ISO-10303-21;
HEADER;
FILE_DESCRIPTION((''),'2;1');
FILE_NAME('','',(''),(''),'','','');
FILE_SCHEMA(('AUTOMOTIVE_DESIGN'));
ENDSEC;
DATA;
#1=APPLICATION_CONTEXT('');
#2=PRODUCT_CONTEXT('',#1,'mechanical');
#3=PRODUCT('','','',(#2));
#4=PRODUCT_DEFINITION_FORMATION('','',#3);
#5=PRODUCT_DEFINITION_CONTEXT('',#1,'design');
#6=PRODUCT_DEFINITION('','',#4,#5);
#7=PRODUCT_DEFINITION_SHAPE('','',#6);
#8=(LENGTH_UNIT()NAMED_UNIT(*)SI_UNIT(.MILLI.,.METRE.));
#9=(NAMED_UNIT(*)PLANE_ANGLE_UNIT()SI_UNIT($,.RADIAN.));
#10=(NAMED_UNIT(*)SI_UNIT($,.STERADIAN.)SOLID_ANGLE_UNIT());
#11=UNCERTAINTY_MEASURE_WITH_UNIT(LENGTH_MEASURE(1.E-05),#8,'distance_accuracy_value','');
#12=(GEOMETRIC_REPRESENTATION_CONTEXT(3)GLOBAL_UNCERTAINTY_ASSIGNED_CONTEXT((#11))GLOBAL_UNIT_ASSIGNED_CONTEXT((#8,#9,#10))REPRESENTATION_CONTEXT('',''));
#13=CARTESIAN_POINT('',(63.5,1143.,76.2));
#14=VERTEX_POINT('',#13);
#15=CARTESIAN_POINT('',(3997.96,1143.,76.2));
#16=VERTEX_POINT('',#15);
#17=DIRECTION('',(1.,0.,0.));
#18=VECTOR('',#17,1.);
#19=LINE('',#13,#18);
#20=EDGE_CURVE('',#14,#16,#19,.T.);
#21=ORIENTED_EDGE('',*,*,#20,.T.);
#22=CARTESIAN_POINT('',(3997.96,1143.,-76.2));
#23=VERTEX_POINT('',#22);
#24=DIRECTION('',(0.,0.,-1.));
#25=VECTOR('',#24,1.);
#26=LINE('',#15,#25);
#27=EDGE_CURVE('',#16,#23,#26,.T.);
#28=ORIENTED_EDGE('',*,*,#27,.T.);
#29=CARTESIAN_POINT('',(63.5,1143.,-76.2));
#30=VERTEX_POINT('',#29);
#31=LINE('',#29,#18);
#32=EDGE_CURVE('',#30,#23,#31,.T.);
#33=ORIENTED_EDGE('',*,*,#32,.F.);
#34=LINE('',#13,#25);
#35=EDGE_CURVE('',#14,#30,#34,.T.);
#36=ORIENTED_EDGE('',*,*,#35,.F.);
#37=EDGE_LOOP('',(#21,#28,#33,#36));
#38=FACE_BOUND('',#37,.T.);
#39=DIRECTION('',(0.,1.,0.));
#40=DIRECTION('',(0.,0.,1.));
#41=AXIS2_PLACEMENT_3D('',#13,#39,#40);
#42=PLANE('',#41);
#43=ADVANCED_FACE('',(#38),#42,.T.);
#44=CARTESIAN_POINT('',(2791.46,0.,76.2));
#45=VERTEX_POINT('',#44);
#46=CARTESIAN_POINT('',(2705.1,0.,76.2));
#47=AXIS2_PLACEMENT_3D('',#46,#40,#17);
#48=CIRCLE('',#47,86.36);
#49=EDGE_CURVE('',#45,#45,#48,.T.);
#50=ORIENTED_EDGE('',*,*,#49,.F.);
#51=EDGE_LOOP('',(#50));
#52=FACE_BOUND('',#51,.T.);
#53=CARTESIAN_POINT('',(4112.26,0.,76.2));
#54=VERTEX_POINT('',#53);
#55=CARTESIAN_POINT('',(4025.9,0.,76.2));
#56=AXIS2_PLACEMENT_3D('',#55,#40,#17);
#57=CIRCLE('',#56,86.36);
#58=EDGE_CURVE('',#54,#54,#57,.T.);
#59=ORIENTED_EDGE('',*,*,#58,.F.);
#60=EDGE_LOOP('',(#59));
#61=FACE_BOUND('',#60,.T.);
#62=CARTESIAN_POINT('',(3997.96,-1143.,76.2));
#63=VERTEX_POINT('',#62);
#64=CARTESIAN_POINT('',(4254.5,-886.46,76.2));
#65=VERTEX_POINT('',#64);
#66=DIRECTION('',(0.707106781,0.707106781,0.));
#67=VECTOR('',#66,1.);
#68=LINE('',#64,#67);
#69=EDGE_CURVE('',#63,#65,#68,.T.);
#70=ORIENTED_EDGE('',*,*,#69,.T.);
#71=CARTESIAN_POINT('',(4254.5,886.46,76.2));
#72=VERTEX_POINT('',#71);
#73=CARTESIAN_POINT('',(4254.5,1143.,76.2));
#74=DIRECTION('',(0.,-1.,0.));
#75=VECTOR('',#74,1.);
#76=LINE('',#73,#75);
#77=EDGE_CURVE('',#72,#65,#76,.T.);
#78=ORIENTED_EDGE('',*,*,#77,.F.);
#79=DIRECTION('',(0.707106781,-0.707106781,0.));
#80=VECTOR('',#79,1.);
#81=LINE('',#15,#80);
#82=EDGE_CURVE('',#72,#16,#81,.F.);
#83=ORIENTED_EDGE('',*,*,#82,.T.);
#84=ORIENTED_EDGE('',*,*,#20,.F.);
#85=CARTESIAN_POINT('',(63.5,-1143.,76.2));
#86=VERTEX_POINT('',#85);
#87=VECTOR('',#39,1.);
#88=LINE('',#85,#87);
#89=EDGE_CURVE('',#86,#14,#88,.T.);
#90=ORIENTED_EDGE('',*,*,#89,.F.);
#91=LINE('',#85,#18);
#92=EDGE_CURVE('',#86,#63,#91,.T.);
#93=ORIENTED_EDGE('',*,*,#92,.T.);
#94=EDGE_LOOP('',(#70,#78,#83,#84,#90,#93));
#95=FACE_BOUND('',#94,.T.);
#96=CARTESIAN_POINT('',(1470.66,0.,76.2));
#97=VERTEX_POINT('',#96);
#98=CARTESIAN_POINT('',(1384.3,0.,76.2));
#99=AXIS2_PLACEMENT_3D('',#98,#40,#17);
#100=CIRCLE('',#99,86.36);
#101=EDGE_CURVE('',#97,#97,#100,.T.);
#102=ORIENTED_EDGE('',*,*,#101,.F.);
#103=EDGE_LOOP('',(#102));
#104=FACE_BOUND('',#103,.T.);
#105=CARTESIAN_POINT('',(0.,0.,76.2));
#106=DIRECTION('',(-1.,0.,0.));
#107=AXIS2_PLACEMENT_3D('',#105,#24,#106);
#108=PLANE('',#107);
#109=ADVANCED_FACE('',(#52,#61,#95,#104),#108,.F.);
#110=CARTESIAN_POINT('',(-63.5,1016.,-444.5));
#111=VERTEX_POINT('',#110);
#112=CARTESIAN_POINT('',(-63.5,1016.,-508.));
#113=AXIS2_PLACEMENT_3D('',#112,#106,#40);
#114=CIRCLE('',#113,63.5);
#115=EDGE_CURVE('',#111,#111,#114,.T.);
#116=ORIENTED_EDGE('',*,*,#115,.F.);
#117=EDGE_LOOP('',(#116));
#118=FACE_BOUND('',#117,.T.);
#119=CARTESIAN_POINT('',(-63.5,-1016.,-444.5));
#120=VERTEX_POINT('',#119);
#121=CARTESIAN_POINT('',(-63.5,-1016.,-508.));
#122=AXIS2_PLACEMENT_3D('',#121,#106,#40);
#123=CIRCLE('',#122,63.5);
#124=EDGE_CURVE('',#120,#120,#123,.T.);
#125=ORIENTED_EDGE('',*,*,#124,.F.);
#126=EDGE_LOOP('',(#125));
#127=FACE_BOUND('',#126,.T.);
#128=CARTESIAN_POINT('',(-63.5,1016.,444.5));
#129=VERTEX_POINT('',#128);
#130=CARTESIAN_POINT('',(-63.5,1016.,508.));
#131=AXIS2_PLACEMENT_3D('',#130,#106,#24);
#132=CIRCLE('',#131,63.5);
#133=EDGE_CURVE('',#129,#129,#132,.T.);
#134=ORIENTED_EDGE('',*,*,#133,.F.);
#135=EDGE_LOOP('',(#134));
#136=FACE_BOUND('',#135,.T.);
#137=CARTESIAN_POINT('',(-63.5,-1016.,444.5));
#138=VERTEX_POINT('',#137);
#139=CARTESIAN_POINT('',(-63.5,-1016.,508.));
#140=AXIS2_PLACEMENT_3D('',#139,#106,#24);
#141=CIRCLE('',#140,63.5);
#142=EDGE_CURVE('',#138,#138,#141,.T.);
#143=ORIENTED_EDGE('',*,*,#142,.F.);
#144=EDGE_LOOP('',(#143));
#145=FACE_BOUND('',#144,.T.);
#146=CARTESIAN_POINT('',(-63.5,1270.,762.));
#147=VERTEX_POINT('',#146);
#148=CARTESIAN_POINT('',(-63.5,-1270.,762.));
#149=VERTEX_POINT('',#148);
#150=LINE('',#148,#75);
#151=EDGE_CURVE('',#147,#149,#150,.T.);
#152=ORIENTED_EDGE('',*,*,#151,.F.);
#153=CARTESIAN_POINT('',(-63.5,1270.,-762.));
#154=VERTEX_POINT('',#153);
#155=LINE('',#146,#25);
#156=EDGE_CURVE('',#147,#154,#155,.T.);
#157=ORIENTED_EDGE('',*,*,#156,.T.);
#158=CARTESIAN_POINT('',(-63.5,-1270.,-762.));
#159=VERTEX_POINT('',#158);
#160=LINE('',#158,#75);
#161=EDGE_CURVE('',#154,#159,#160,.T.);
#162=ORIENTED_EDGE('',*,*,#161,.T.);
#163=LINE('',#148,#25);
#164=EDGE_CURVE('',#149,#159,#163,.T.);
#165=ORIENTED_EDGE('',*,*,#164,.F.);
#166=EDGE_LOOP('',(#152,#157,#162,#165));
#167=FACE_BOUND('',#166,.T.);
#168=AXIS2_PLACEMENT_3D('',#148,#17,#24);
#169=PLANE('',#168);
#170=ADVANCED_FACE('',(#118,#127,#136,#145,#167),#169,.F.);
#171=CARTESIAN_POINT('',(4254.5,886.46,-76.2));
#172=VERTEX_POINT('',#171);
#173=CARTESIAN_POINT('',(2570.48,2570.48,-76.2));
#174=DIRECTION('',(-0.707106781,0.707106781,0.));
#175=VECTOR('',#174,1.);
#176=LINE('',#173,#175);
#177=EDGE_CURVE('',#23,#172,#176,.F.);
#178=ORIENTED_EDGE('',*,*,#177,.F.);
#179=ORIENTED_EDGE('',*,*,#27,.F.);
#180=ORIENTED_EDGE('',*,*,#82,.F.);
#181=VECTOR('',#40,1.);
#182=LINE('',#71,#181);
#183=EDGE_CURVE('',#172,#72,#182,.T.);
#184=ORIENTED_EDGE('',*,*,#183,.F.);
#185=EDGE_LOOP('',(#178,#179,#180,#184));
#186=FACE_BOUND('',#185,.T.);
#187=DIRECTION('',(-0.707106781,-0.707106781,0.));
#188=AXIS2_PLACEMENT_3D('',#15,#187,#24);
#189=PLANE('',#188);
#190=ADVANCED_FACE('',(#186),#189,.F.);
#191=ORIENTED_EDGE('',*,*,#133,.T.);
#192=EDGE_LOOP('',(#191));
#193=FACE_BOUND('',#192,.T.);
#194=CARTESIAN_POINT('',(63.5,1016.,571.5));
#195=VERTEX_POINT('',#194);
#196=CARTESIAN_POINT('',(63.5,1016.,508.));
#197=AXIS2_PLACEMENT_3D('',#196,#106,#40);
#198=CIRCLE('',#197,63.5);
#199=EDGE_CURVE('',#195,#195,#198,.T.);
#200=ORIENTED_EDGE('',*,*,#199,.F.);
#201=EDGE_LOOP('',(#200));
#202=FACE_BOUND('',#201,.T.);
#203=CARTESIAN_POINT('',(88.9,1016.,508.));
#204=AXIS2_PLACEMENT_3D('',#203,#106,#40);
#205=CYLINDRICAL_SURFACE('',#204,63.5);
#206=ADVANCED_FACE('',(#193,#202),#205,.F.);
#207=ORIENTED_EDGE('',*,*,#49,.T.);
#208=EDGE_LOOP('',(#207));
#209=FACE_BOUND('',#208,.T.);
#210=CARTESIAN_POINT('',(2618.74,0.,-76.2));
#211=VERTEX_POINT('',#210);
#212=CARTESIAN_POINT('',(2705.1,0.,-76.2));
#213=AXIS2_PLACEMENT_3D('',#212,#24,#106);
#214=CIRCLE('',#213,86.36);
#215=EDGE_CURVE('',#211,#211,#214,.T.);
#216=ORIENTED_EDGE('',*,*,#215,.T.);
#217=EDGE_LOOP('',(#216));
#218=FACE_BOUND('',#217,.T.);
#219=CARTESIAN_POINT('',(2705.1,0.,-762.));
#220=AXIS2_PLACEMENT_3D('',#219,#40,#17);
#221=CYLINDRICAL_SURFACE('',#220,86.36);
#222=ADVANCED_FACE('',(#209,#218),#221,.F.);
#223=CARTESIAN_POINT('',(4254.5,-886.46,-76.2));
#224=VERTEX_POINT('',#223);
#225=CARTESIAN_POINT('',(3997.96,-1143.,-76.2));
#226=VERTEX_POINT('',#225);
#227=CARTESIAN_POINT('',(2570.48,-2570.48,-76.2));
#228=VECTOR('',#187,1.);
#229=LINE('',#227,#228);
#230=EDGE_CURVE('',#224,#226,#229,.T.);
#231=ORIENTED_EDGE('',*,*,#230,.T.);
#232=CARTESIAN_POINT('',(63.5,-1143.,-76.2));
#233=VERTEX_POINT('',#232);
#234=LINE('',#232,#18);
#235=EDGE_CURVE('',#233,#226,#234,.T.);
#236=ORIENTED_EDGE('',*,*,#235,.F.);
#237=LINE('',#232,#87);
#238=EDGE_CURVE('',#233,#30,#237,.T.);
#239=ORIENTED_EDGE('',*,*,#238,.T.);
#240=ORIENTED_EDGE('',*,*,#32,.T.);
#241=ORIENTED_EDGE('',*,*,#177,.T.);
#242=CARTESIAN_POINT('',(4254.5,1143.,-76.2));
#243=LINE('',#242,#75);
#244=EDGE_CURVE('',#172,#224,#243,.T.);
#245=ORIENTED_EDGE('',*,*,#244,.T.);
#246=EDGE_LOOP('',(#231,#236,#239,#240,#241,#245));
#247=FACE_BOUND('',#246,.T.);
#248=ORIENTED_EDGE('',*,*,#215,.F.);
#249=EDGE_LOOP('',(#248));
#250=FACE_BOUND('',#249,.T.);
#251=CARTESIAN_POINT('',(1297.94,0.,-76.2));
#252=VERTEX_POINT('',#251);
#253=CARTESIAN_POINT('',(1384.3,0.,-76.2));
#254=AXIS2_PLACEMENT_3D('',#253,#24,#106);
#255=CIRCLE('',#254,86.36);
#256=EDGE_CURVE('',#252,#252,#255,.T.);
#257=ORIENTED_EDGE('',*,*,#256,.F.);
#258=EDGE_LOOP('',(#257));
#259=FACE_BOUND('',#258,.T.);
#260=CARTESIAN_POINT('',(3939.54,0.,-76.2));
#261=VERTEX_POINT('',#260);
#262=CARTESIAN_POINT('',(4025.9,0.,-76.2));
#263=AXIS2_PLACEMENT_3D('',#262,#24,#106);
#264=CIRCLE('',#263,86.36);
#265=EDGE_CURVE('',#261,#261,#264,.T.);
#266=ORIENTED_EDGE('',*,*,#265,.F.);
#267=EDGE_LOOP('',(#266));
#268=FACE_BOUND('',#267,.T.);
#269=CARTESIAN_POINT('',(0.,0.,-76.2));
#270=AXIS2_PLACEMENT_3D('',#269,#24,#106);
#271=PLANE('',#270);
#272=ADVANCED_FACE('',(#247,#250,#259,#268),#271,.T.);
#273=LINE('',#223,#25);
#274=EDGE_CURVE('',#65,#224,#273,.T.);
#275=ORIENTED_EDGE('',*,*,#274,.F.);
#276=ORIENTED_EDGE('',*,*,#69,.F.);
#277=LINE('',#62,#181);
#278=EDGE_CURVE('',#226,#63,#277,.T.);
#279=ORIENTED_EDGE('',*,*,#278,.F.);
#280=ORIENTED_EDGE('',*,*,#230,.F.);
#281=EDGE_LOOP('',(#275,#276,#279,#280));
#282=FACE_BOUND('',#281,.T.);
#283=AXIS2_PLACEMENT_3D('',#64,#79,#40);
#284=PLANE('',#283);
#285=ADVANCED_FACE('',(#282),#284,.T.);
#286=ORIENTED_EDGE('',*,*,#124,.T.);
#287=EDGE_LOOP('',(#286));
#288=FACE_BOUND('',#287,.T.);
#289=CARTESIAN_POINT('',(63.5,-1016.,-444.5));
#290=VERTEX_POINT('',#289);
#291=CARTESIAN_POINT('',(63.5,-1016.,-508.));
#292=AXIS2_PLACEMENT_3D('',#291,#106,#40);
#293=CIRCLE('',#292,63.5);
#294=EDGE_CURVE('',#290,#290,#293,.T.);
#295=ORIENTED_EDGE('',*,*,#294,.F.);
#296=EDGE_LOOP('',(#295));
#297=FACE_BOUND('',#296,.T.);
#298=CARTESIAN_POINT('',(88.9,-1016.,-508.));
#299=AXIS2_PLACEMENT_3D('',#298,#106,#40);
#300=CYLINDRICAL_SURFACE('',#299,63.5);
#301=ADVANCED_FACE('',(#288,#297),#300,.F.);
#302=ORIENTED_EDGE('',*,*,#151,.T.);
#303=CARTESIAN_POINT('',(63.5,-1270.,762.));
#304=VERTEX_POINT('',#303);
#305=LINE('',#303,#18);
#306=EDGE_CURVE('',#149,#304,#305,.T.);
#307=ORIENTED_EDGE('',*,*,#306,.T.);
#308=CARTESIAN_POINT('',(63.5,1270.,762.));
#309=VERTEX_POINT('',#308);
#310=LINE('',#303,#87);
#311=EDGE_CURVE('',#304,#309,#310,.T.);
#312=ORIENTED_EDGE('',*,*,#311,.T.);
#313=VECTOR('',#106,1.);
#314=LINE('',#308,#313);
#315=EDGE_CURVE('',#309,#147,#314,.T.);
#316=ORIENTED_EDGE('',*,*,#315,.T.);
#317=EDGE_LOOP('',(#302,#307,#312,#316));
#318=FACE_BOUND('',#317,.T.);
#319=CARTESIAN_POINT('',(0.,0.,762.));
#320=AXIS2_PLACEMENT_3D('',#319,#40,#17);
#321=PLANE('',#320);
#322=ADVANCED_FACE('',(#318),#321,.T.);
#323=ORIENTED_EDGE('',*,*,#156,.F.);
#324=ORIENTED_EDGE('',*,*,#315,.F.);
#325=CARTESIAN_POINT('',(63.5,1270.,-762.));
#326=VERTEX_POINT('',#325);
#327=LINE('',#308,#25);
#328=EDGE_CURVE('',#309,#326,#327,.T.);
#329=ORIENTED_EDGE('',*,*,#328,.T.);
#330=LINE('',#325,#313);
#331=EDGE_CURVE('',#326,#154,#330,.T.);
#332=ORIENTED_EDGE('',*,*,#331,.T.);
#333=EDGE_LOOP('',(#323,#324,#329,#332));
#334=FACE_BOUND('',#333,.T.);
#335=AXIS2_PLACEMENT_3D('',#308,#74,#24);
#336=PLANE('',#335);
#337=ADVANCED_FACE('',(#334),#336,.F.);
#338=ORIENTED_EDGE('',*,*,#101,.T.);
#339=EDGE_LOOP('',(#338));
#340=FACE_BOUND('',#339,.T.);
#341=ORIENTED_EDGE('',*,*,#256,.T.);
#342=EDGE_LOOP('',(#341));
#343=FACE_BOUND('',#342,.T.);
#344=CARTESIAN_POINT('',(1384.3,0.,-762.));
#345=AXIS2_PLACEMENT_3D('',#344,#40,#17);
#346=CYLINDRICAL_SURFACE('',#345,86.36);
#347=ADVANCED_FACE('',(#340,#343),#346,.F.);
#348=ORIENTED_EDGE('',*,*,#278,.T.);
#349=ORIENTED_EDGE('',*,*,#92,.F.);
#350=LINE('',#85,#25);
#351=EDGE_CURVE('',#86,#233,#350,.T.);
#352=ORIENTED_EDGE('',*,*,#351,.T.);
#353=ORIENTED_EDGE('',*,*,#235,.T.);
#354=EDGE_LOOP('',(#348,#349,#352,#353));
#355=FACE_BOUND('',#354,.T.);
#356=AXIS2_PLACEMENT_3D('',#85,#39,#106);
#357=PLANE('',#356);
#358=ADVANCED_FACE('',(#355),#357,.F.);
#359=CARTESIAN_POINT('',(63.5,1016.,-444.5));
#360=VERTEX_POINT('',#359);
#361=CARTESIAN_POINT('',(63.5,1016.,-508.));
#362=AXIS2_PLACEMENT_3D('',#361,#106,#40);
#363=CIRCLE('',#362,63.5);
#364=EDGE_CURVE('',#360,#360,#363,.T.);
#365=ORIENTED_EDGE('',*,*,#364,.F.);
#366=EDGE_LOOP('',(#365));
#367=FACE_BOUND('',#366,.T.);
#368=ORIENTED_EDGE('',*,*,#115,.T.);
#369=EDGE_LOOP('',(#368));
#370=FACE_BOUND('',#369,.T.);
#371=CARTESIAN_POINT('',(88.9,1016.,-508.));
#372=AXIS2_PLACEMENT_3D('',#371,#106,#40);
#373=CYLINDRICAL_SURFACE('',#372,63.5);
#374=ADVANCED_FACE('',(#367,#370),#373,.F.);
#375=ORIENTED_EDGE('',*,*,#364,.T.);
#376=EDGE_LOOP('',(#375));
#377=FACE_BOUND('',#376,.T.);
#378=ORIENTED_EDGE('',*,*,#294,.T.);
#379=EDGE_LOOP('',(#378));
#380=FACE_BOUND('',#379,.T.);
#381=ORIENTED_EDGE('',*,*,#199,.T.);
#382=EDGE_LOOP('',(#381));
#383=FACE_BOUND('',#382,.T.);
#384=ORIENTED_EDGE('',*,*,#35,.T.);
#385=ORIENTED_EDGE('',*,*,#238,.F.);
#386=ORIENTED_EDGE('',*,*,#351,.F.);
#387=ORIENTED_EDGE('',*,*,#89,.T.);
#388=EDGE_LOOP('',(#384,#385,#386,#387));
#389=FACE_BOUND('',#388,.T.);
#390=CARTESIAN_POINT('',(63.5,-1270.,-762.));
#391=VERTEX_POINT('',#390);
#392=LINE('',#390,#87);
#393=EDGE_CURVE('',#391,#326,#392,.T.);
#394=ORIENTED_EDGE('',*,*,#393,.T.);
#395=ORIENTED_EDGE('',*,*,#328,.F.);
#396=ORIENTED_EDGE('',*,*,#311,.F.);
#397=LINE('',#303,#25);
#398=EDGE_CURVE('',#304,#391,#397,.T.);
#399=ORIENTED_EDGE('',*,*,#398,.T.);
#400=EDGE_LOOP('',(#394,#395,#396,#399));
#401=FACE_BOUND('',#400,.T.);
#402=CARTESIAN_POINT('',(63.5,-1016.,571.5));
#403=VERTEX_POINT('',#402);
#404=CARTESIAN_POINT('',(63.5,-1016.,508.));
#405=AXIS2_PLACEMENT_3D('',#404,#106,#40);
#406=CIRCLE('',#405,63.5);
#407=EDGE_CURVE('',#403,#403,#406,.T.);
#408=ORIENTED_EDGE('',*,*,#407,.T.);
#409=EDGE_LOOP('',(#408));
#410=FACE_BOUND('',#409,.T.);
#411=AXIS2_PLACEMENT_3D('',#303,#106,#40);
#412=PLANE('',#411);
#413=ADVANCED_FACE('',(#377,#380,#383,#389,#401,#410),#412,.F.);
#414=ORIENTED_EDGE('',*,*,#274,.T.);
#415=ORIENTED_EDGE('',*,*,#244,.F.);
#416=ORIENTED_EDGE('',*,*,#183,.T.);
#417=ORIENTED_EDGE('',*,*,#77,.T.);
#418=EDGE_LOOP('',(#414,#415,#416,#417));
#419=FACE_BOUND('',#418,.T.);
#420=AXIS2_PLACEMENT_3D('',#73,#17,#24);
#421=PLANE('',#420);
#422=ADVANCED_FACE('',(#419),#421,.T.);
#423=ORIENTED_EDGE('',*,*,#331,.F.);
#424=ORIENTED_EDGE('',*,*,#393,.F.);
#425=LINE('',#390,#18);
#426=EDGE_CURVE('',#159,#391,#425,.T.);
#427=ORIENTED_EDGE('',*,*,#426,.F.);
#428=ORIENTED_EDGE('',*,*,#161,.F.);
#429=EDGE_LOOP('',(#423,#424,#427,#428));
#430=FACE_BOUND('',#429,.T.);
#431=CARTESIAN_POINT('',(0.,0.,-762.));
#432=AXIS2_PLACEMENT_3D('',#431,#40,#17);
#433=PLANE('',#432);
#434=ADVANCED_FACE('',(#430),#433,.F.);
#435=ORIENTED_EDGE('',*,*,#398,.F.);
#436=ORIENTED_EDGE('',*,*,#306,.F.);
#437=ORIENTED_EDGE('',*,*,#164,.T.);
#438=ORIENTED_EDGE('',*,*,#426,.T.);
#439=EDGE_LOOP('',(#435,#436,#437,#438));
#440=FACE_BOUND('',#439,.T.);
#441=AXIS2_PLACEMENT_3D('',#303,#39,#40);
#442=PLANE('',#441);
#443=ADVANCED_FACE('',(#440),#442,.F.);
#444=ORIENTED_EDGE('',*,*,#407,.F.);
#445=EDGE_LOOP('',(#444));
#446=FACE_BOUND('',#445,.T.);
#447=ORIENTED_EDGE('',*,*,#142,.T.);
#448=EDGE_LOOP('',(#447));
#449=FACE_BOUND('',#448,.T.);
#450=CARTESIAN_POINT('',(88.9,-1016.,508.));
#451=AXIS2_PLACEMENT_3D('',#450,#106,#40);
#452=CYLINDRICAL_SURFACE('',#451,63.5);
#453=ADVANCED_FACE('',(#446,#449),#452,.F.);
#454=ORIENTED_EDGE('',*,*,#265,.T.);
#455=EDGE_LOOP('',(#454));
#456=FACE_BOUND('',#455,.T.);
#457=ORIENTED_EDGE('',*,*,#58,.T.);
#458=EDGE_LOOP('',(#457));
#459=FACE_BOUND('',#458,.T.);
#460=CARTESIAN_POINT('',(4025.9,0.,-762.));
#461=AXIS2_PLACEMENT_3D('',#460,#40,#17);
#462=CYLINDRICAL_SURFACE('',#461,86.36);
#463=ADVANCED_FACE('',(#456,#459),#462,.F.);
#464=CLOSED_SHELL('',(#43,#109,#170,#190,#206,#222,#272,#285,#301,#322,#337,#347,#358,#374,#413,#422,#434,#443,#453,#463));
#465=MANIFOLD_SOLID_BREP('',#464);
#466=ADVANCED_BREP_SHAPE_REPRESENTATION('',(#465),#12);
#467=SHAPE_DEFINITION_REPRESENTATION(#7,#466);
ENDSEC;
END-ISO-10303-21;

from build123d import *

# Parameters (mm, degrees)
SKETCH1_W           = 127
SKETCH1_H           = 2540
BOSS_EXTRUDE1_DEPTH = 762
SKETCH2_W           = 4191
SKETCH2_H           = 2286
BOSS_EXTRUDE2_DEPTH = 76.2
SKETCH3_R           = 63.5
CUT_EXTRUDE1_DEPTH  = 152.4
SKETCH4_R           = 86.36
CUT_EXTRUDE2_DEPTH  = 839.2
CHAMFER1_SIZE       = 256.54


with BuildPart() as part:
    # Sketch1 → Boss-Extrude1 (new body, symmetric)
    with BuildSketch(Plane.XY):
        Rectangle(SKETCH1_W, SKETCH1_H)
    extrude(amount=BOSS_EXTRUDE1_DEPTH, both=True)

    # Sketch2 → Boss-Extrude2 (add, symmetric)
    with BuildSketch(Plane.XY):
        with Locations((2159, 0)):
            Rectangle(SKETCH2_W, SKETCH2_H)
    extrude(amount=BOSS_EXTRUDE2_DEPTH, both=True)

    # Sketch3 → Cut-Extrude1 (cut)
    with BuildSketch(Plane.ZY.offset(63.5)):
        with Locations((-508, 1016)):
            Circle(SKETCH3_R)
        with Locations((-508, -1016)):
            Circle(SKETCH3_R)
        with Locations((508, -1016)):
            Circle(SKETCH3_R)
        with Locations((508, 1016)):
            Circle(SKETCH3_R)
    extrude(amount=-CUT_EXTRUDE1_DEPTH, mode=Mode.SUBTRACT)

    # Sketch4 → Cut-Extrude2 (cut, through all)
    with BuildSketch(Plane.XY.offset(76.2)):
        with Locations((4025.9, 0)):
            Circle(SKETCH4_R)
        with Locations((2705.1, 0)):
            Circle(SKETCH4_R)
        with Locations((1384.3, 0)):
            Circle(SKETCH4_R)
    extrude(amount=-CUT_EXTRUDE2_DEPTH, mode=Mode.SUBTRACT)

    # Chamfer1
    chamfer1_edges = [part.edges().sort_by_distance(p)[0] for p in [
        (4254.5, -1143, 0),
        (4254.5, 1143, 0),
    ]]
    chamfer(chamfer1_edges, length=CHAMFER1_SIZE)


solid = part.part
